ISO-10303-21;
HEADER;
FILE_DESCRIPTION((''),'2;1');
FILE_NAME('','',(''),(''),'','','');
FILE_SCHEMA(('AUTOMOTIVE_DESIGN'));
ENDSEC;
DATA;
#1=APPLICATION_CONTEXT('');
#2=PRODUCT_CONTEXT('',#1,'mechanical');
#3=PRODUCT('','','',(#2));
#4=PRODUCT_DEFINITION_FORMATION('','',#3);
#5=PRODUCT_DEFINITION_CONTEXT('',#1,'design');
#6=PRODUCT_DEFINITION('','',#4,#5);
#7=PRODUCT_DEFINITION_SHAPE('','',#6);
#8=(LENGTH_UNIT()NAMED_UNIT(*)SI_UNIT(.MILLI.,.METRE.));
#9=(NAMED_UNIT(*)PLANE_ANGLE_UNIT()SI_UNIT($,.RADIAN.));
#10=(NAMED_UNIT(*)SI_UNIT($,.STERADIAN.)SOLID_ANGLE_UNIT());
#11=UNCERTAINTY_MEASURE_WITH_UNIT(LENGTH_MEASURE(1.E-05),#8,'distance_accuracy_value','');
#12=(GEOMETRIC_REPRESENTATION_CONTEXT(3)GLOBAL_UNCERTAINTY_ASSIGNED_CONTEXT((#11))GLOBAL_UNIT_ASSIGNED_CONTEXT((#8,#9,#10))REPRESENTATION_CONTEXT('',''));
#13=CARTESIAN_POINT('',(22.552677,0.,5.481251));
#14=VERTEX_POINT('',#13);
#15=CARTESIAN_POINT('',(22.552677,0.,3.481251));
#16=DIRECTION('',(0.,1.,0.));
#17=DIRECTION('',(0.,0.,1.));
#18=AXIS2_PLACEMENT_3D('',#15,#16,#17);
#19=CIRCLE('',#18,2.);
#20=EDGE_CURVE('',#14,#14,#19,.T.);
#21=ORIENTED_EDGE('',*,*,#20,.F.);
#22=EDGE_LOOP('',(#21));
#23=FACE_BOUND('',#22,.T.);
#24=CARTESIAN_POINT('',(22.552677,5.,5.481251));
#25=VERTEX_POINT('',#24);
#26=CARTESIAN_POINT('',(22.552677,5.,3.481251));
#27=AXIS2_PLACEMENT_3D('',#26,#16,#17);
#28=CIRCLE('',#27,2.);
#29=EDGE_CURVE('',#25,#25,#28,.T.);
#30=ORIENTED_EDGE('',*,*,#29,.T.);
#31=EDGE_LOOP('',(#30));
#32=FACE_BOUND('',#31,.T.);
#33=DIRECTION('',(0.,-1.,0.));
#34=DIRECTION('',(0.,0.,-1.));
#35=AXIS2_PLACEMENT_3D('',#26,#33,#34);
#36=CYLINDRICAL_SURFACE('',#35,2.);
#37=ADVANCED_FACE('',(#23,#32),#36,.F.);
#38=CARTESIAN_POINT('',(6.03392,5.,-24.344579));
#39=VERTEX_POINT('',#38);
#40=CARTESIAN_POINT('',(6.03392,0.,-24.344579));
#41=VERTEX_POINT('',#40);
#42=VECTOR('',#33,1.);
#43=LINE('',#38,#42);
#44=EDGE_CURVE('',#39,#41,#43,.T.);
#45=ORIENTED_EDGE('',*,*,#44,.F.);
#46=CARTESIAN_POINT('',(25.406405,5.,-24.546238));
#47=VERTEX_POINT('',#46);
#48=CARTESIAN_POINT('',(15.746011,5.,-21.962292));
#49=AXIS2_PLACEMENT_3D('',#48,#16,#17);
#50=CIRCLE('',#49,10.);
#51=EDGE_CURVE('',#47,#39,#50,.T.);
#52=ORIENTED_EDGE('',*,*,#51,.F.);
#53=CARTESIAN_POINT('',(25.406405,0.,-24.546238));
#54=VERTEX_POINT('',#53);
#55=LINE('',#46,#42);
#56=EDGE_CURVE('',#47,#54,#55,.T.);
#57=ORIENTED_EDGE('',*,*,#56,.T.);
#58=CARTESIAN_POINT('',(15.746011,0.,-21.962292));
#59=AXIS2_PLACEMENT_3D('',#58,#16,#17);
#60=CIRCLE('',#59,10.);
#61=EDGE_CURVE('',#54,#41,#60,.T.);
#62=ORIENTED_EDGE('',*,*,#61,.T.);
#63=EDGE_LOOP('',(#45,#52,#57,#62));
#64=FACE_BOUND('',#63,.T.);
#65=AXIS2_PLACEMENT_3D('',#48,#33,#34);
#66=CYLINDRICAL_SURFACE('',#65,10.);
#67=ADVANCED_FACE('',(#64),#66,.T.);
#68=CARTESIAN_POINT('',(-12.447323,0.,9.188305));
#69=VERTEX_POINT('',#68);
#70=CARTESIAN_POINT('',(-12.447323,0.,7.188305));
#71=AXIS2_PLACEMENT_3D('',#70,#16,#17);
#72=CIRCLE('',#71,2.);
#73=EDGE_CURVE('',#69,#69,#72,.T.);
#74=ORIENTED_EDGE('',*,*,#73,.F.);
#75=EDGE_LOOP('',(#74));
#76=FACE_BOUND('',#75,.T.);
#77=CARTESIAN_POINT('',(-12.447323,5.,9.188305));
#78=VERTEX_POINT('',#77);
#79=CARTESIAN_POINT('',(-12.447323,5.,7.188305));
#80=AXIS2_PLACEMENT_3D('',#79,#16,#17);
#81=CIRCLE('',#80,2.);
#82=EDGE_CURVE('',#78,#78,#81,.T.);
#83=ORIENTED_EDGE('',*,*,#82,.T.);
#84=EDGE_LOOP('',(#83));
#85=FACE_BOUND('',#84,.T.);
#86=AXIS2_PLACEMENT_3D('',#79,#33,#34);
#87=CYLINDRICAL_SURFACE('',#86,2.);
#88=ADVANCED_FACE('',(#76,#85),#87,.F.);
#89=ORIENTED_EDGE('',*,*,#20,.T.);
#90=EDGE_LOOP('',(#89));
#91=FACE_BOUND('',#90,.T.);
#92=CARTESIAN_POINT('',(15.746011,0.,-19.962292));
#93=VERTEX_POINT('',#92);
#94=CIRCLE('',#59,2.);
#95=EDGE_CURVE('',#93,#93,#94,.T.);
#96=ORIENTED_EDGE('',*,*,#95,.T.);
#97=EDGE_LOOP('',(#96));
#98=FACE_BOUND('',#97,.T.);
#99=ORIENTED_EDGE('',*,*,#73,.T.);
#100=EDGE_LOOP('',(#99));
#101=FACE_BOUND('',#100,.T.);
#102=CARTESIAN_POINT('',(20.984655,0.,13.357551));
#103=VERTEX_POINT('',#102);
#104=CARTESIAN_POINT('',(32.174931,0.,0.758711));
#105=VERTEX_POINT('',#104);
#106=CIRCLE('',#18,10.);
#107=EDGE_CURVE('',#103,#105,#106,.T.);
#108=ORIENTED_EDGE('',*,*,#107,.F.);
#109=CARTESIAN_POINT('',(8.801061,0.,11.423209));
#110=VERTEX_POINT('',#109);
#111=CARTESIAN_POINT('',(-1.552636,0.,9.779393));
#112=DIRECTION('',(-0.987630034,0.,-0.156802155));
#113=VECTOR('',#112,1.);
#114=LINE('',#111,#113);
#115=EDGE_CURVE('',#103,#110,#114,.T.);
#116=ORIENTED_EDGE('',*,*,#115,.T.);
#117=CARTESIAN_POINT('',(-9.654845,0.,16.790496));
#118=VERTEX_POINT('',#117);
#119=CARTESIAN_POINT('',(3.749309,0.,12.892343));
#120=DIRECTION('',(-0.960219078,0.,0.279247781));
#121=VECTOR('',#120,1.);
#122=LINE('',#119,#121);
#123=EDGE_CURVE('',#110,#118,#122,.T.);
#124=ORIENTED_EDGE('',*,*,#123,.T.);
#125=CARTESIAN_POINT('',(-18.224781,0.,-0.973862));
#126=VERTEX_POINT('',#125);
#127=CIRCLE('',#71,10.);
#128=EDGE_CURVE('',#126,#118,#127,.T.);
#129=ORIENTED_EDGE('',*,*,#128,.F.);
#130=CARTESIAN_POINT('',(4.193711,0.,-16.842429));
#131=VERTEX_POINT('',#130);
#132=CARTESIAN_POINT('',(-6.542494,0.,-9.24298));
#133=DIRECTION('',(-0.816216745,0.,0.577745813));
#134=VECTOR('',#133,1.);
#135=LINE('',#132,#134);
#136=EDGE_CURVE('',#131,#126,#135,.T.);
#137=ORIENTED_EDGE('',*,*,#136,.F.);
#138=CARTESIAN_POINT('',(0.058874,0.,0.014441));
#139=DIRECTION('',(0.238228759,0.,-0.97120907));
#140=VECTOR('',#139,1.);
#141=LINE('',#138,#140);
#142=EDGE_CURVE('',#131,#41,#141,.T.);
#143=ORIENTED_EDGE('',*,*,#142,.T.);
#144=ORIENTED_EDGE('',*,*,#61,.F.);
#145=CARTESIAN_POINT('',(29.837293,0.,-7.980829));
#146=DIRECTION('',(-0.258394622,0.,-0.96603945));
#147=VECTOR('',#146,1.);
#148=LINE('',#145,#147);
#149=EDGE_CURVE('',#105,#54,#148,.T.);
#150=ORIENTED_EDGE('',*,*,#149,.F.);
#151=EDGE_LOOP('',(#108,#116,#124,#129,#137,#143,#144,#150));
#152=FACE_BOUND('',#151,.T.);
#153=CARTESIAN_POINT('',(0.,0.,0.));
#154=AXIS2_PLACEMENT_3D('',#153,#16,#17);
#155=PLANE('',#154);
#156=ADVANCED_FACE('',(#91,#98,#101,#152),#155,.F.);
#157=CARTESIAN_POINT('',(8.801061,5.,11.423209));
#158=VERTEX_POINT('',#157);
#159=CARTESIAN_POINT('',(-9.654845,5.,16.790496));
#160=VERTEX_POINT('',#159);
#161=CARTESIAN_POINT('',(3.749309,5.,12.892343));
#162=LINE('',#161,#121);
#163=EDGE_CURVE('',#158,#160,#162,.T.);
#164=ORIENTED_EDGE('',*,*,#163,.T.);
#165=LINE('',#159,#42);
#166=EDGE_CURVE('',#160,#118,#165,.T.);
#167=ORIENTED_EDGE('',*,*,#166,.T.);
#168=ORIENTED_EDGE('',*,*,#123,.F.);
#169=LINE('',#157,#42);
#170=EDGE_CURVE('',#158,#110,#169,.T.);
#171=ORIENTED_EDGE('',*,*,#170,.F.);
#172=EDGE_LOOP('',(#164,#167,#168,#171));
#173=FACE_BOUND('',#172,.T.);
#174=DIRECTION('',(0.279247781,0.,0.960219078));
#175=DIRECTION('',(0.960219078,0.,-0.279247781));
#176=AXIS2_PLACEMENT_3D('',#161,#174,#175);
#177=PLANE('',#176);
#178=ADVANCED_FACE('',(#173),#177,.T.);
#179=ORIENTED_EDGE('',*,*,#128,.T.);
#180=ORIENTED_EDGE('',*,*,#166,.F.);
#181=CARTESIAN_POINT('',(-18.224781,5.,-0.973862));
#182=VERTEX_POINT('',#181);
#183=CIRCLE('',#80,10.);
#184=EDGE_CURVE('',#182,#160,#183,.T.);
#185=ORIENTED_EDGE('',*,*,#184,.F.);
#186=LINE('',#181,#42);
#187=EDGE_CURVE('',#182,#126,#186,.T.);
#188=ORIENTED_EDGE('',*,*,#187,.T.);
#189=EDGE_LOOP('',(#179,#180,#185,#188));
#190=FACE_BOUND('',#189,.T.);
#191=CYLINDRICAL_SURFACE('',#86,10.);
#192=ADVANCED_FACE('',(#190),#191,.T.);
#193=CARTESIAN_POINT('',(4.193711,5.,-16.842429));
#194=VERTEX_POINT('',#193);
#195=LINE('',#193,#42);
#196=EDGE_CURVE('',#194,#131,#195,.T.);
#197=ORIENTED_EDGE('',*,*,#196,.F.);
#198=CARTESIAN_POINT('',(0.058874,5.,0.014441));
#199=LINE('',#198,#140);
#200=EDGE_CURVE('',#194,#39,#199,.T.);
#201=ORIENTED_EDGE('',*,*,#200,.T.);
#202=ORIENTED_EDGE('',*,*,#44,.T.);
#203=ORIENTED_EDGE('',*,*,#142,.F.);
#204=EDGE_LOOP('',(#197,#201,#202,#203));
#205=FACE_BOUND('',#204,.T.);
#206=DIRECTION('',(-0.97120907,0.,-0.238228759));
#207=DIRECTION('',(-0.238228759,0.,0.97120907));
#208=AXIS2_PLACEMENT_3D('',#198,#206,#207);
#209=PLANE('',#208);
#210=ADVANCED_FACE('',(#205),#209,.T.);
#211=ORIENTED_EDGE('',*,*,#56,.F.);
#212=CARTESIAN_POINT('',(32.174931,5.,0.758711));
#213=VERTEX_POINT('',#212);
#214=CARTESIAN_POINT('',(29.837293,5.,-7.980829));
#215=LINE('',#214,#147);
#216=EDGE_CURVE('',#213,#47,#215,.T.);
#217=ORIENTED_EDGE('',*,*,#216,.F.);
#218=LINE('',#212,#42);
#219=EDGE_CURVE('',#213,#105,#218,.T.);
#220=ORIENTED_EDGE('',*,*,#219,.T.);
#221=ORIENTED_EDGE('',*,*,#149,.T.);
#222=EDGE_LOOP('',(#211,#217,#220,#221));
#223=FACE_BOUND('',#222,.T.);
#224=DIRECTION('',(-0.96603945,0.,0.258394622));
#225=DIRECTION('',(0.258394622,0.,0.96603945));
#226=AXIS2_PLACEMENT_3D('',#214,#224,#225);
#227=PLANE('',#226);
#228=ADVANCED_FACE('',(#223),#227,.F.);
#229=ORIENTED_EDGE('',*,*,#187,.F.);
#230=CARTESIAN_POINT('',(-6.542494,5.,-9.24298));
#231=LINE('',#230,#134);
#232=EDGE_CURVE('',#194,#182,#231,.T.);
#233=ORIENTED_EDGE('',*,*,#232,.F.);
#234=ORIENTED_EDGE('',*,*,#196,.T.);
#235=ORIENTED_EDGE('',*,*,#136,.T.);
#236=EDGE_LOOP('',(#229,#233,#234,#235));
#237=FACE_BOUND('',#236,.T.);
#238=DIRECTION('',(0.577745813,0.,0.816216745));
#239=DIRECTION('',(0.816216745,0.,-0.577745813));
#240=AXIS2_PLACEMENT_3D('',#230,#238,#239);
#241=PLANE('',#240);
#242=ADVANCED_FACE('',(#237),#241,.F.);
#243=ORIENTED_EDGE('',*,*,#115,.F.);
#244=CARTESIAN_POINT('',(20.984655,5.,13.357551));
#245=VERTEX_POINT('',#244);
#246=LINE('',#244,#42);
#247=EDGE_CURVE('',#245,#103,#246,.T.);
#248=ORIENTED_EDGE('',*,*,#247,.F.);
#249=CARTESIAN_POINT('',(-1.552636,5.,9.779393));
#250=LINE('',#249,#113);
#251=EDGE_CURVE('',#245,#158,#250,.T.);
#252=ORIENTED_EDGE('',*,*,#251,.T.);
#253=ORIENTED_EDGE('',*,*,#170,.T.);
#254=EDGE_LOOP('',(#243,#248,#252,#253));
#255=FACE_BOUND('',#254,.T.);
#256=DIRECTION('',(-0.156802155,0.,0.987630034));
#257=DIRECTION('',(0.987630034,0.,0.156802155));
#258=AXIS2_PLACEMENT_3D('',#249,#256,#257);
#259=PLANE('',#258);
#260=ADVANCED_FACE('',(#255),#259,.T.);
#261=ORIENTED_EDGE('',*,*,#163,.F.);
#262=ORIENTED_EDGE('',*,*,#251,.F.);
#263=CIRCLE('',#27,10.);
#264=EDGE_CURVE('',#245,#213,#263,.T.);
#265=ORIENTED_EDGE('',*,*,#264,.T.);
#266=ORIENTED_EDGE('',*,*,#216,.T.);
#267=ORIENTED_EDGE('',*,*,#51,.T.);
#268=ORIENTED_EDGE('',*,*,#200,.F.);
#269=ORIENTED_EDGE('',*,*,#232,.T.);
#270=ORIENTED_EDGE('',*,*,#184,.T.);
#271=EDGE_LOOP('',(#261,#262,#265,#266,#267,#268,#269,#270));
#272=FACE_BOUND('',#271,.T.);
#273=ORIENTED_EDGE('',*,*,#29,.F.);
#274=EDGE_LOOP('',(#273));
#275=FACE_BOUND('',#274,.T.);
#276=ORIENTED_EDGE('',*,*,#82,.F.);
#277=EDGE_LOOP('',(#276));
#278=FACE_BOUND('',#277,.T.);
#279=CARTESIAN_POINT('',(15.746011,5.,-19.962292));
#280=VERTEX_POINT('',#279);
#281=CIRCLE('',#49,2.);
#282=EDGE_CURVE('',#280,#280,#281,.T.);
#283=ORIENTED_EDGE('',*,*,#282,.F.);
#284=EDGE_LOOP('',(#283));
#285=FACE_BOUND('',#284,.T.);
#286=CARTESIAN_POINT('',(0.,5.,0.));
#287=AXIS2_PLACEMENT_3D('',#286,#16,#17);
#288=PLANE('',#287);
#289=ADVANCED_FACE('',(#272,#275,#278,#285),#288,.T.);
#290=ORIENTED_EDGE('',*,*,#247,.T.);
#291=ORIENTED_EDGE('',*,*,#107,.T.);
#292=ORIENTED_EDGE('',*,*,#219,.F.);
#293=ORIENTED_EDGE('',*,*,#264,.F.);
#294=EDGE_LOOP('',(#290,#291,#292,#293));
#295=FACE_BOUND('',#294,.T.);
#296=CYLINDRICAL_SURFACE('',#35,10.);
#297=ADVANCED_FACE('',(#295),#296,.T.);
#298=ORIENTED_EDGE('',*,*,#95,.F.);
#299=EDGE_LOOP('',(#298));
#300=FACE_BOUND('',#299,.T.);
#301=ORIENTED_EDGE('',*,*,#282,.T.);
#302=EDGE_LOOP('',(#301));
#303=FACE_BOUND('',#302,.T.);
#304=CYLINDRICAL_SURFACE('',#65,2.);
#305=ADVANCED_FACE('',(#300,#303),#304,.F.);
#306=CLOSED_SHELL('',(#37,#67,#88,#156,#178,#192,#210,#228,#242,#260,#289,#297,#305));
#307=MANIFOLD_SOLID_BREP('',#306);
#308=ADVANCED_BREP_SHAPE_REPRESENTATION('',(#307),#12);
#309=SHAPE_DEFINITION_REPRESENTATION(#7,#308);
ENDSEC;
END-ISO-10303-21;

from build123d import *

# Parameters (mm, degrees)
SKIZZE1_R                       = 2
AUFSATZ_LINEAR_AUSTRAGEN1_DEPTH = 5


with BuildPart() as part:
    # Skizze1 → Aufsatz-Linear austragen1 (new body)
    with BuildSketch(Plane(origin=(0, 0, 0), x_dir=(1, 0, 0), z_dir=(0, 1, 0))):
        with BuildLine():
            Line((32.174930969, -0.758710751), (25.406405474, 24.546237926))
            ThreePointArc((25.406405474, 24.546237926), (15.641921228, 31.961749958), (6.033920269, 24.344579298))
            Line((6.033920269, 24.344579298), (4.193711044, 16.842429276))
            Line((4.193711044, 16.842429276), (-18.224781404, 0.973862232))
            ThreePointArc((-18.224781404, 0.973862232), (-21.454022597, -11.53334461), (-9.654845468, -16.790495999))
            Line((-9.654845468, -16.790495999), (8.801061186, -11.423209418))
            Line((8.801061186, -11.423209418), (20.984655174, -13.357550953))
            ThreePointArc((20.984655174, -13.357550953), (30.029331036, -10.12200662), (32.174930969, -0.758710751))
        make_face()
        with Locations(Location((22.552676727, -3.481250613, 0), (0, 0, 270))):
            Circle(SKIZZE1_R, mode=Mode.SUBTRACT)
        with Locations(Location((-12.447323273, -7.188305222, 0), (0, 0, 270))):
            Circle(SKIZZE1_R, mode=Mode.SUBTRACT)
        with Locations(Location((15.746010972, 21.962291706, 0), (0, 0, 270))):
            Circle(SKIZZE1_R, mode=Mode.SUBTRACT)
    extrude(amount=AUFSATZ_LINEAR_AUSTRAGEN1_DEPTH)


solid = part.part
